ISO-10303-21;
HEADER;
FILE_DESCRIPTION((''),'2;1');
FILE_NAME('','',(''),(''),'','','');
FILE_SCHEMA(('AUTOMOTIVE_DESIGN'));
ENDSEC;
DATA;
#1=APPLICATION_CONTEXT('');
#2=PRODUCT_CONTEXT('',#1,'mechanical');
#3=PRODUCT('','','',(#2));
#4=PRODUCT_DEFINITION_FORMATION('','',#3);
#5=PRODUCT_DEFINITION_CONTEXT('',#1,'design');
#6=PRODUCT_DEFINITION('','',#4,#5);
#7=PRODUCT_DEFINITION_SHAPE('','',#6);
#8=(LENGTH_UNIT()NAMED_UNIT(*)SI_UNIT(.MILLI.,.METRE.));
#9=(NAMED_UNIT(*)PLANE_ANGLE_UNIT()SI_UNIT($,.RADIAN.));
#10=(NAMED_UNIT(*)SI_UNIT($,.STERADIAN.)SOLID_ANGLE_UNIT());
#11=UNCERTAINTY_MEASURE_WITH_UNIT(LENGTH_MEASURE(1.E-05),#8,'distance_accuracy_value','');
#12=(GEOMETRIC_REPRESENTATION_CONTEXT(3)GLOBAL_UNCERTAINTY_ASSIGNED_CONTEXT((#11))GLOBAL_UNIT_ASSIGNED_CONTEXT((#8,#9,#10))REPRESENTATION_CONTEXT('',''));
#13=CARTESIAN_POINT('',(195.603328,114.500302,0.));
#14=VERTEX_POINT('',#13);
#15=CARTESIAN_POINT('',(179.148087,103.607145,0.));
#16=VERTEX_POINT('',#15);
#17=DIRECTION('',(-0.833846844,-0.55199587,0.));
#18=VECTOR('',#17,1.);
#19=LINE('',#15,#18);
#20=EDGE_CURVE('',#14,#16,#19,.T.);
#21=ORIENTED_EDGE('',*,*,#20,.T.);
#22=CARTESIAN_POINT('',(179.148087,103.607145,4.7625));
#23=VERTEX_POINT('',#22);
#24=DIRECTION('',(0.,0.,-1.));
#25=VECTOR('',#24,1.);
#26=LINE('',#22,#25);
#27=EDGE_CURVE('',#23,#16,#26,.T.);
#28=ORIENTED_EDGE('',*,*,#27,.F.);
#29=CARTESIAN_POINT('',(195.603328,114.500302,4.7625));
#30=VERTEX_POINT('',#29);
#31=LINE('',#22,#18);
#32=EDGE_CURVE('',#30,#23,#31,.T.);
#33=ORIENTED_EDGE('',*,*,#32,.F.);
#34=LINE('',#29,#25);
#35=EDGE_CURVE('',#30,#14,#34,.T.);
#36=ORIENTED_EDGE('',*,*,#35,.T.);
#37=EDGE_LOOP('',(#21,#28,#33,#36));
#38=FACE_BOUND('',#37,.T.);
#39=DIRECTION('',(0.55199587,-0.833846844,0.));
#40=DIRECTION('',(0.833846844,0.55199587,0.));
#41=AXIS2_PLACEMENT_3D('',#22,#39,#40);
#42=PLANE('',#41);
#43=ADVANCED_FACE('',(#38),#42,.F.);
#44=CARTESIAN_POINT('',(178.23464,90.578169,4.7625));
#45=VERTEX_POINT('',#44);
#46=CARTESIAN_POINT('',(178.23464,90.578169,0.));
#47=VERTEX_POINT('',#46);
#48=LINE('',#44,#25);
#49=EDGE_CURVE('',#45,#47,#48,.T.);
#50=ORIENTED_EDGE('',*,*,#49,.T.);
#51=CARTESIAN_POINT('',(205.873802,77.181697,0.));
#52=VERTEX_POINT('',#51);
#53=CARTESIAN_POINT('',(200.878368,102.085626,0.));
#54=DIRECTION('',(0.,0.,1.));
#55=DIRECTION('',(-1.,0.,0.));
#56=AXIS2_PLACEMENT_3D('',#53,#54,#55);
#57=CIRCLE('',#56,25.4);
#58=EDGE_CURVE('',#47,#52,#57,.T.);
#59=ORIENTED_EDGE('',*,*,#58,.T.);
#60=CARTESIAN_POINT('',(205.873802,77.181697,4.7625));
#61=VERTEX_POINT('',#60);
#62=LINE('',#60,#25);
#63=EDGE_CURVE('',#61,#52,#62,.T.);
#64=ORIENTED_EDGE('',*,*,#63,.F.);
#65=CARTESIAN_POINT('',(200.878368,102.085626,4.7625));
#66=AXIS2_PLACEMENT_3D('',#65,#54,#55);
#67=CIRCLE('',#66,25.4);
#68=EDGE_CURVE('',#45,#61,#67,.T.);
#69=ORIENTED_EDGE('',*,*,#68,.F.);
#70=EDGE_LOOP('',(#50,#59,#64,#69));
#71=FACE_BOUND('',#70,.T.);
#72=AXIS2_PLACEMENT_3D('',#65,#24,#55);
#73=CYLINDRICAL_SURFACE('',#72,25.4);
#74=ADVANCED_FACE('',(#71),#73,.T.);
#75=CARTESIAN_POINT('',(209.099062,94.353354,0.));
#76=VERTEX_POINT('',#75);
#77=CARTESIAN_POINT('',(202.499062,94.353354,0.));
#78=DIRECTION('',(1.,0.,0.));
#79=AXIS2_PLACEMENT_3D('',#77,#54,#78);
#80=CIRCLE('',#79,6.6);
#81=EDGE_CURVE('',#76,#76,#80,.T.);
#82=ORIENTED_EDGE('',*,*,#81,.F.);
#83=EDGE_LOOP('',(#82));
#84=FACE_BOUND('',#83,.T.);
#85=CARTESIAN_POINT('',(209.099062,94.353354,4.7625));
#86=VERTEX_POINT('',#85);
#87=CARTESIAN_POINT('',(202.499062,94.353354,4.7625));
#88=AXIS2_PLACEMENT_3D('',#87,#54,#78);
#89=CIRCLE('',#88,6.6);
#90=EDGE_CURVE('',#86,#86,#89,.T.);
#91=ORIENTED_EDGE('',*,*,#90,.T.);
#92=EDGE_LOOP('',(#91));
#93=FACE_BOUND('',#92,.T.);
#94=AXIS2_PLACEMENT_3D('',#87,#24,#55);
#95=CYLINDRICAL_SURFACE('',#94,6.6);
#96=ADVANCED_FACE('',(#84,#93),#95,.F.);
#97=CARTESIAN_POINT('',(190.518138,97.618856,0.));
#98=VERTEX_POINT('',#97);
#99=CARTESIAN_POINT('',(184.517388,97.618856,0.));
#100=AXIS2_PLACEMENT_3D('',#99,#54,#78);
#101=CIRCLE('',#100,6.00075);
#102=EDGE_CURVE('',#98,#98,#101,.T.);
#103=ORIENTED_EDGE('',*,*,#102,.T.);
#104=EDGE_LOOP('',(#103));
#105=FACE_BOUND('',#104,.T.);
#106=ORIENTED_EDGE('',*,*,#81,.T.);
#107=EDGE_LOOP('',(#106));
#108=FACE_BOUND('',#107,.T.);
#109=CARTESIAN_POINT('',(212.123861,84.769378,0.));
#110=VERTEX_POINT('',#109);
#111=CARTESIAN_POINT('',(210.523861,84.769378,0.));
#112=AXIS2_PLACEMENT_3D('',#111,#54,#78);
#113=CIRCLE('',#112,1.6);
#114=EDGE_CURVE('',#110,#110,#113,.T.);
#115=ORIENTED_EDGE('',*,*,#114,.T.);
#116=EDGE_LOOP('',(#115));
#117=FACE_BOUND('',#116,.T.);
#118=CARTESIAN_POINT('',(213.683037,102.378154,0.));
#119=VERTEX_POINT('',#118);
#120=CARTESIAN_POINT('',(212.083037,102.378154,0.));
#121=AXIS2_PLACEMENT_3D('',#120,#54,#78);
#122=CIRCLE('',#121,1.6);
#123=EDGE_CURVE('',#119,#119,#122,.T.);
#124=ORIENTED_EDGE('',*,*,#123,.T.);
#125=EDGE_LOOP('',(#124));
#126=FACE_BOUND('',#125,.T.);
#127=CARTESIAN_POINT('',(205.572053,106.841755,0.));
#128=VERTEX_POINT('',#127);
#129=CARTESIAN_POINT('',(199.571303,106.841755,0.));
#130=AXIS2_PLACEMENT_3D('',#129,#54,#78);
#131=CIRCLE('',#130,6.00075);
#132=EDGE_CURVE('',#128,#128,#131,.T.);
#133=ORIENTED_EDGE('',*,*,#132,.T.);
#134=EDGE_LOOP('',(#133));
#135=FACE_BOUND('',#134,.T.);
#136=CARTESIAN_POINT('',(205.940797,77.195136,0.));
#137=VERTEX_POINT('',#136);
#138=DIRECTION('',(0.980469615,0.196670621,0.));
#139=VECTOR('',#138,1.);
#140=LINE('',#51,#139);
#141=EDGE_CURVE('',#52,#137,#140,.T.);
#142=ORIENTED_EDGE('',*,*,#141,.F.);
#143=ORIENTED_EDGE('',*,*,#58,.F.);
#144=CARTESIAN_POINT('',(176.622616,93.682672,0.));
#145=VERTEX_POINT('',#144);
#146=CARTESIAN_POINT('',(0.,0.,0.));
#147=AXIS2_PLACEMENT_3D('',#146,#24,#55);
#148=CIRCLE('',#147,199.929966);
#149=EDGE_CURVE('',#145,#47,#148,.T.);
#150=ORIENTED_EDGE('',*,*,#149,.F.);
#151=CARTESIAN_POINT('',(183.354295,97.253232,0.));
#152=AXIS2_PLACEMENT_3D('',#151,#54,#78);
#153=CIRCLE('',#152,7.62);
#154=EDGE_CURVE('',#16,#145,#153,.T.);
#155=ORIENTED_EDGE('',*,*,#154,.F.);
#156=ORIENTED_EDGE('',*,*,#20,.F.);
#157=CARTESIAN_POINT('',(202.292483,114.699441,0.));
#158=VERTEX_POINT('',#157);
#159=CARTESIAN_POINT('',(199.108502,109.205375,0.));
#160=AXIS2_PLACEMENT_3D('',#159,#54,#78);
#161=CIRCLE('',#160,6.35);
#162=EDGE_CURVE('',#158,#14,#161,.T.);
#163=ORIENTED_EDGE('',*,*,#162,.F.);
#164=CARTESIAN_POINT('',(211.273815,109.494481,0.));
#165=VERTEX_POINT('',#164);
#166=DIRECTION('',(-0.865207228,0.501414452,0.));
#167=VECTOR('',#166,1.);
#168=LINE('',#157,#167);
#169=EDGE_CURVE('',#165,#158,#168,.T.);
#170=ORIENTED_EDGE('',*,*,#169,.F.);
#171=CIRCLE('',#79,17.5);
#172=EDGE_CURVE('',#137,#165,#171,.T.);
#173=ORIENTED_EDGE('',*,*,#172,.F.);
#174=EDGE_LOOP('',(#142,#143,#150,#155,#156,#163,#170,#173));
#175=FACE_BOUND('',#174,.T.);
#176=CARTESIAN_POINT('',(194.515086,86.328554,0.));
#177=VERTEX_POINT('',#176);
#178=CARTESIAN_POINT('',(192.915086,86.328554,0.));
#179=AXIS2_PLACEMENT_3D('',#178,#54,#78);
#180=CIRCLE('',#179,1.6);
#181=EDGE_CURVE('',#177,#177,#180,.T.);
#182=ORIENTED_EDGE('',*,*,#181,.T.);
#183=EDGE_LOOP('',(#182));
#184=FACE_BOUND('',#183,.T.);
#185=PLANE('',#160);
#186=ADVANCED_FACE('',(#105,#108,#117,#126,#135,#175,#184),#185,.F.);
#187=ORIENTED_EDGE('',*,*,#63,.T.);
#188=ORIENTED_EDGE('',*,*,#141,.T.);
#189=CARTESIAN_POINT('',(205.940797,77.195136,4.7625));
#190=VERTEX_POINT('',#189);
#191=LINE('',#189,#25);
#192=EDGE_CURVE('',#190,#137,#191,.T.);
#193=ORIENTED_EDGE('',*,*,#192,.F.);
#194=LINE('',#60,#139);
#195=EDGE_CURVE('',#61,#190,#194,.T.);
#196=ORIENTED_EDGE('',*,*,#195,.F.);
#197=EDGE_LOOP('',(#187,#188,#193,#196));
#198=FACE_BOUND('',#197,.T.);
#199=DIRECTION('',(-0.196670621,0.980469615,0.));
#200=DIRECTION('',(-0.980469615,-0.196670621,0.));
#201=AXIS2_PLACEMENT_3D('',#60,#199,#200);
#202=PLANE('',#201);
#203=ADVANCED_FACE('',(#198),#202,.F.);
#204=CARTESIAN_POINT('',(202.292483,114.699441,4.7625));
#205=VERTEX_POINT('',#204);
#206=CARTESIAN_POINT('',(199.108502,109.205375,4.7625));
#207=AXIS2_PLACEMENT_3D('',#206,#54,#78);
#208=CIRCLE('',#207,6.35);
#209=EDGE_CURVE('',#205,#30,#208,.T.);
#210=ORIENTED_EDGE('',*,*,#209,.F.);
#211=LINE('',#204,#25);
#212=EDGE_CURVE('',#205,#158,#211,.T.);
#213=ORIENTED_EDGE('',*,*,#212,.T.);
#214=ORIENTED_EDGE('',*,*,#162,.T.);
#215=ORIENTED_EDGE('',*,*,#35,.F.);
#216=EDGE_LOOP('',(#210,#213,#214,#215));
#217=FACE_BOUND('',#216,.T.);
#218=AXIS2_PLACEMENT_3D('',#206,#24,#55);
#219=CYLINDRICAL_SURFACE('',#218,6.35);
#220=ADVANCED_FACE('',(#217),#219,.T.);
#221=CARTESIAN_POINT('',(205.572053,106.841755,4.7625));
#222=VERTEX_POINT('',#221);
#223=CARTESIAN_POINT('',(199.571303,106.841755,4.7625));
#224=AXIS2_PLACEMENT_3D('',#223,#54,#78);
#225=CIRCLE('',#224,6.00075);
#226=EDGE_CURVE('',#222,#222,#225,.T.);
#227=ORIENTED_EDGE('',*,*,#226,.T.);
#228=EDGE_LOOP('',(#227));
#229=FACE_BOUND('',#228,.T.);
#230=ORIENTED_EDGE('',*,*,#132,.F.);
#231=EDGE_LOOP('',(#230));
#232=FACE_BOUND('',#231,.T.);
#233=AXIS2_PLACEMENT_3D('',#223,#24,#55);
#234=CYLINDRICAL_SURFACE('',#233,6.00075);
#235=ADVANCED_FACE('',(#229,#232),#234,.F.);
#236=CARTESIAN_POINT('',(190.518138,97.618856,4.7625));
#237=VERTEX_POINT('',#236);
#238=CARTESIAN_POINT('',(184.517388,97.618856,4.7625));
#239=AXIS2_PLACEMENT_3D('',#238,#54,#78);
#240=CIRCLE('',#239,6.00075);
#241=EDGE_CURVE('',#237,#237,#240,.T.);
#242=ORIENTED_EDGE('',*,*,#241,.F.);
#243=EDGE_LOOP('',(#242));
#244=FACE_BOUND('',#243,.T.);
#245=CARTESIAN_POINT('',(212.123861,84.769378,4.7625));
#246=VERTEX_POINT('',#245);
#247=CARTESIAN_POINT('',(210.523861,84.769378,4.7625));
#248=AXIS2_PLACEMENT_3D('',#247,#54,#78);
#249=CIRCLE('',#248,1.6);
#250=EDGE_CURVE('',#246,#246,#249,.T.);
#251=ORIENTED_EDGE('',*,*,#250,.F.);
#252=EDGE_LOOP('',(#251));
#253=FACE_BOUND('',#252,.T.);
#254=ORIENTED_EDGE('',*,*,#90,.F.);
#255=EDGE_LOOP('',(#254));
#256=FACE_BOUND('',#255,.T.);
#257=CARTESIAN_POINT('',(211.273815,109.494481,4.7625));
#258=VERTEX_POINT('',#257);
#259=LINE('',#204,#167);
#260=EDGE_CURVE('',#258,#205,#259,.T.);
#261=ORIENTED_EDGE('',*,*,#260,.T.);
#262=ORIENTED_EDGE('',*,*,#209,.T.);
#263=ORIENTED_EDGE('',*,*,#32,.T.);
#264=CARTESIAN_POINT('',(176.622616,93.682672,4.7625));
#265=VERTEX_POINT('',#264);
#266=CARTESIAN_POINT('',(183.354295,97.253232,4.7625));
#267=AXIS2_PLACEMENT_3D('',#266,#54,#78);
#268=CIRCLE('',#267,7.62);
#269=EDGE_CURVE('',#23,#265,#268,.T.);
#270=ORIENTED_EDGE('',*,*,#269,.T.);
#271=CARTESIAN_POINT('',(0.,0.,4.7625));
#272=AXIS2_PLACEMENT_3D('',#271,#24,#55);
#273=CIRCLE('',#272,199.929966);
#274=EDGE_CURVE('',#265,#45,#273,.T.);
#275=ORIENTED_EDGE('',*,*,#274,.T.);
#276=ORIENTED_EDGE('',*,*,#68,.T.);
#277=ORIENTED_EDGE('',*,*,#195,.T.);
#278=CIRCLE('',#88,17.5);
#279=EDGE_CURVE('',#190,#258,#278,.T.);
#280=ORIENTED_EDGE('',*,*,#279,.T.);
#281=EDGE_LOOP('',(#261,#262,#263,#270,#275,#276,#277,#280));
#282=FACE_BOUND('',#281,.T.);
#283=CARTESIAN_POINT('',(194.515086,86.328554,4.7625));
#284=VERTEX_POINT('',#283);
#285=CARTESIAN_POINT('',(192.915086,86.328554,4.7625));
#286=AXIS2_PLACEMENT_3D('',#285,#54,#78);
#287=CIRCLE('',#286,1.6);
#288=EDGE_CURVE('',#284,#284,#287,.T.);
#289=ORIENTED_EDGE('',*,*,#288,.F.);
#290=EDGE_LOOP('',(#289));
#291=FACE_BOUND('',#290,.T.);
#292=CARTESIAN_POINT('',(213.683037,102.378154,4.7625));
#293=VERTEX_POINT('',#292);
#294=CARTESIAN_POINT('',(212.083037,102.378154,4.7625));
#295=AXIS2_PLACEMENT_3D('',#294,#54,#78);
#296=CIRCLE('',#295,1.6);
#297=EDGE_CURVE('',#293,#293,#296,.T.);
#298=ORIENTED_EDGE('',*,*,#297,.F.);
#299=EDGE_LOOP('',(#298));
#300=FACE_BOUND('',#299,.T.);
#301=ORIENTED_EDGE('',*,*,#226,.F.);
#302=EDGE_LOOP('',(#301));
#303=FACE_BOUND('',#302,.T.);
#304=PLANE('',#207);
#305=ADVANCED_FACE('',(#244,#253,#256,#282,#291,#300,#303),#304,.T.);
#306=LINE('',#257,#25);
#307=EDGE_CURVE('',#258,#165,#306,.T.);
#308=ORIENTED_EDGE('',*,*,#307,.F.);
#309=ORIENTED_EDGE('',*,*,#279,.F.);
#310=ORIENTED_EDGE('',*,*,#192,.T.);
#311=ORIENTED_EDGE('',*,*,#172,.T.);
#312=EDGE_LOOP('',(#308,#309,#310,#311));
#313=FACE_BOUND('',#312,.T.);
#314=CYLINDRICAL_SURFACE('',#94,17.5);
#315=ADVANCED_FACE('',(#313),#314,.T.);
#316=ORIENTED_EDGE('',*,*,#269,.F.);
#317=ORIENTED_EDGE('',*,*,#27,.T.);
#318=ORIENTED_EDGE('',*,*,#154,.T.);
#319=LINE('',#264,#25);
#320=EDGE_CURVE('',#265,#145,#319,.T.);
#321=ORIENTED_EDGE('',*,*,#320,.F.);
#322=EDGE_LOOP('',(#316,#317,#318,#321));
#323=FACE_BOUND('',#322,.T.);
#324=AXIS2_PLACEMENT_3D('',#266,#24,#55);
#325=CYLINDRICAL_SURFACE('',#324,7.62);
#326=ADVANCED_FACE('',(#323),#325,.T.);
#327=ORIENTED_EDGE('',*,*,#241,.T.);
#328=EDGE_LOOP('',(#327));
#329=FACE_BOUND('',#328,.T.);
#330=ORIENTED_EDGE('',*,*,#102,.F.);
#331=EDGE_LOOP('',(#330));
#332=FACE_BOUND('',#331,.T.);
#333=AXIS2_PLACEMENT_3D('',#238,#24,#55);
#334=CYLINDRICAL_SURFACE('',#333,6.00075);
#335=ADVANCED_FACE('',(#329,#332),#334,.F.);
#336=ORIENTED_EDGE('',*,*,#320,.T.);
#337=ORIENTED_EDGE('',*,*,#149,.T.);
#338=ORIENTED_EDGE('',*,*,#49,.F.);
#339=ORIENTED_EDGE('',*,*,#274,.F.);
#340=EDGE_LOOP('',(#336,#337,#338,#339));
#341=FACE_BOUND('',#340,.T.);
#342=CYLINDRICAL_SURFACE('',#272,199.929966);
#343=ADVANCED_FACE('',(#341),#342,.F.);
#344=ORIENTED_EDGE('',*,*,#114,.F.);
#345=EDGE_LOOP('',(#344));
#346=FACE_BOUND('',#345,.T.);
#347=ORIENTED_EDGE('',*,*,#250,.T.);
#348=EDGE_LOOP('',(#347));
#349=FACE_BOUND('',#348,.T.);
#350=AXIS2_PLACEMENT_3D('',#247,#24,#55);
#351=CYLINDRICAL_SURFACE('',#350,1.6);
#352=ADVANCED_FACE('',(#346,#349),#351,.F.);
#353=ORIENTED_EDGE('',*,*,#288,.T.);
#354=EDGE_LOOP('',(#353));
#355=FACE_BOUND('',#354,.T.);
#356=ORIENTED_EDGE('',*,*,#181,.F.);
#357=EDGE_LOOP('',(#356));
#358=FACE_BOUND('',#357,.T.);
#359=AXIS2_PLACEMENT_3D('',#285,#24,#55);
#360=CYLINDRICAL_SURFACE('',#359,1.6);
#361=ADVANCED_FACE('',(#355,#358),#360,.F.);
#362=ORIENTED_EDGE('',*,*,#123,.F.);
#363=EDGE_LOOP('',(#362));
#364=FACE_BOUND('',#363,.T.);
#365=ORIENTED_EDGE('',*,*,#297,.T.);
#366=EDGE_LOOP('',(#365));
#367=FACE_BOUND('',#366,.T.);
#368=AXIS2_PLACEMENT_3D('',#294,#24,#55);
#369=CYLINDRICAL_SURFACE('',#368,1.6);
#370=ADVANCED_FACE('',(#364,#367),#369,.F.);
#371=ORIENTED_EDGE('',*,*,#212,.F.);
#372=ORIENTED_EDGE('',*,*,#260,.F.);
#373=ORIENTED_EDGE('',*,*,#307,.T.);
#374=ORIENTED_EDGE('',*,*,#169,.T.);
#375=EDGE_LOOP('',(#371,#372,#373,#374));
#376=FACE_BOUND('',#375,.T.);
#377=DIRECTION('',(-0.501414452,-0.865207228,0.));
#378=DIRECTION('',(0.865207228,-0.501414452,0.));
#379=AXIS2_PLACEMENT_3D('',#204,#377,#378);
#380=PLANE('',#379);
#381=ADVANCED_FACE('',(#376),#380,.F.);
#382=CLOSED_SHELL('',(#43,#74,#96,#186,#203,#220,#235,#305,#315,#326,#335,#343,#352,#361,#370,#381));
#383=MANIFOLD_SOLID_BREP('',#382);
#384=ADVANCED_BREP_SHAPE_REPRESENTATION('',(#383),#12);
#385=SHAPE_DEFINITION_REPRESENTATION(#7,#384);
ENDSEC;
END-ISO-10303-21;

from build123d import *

# Parameters (mm, degrees)
SKETCH1_R           = 6.00075
SKETCH1_R_2         = 1.6
SKETCH1_R_3         = 6.6
BOSS_EXTRUDE1_DEPTH = 4.7625


with BuildPart() as part:
    # Sketch1 → Boss-Extrude1 (new body)
    with BuildSketch(Plane.XY):
        with BuildLine():
            Line((179.148086511, 103.607144631), (195.603327806, 114.500302414))
            ThreePointArc((195.603327806, 114.500302414), (198.919543637, 115.552562907), (202.292483355, 114.699440851))
            Line((202.292483355, 114.699440851), (211.27381454, 109.494480567))
            ThreePointArc((211.27381454, 109.494480567), (219.765287832, 91.502488859), (205.940797496, 77.195135812))
            Line((205.940797496, 77.195135812), (205.873802068, 77.181697321))
            ThreePointArc((205.873802068, 77.181697321), (189.799923624, 79.228940232), (178.234639917, 90.578168601))
            ThreePointArc((178.234639917, 90.578168601), (177.435417915, 92.133945768), (176.622616151, 93.682671597))
            ThreePointArc((176.622616151, 93.682671597), (175.969639562, 99.132397301), (179.148086511, 103.607144631))
        make_face()
        with Locations((184.517388009, 97.618855822)):
            Circle(SKETCH1_R, mode=Mode.SUBTRACT)
        with Locations((199.571302743, 106.841754978)):
            Circle(SKETCH1_R, mode=Mode.SUBTRACT)
        with Locations((212.083037321, 102.378153756)):
            Circle(SKETCH1_R_2, mode=Mode.SUBTRACT)
        with Locations((210.523861298, 84.769378384)):
            Circle(SKETCH1_R_2, mode=Mode.SUBTRACT)
        with Locations((192.915085926, 86.328554406)):
            Circle(SKETCH1_R_2, mode=Mode.SUBTRACT)
        with Locations((202.499061623, 94.353354081)):
            Circle(SKETCH1_R_3, mode=Mode.SUBTRACT)
    extrude(amount=BOSS_EXTRUDE1_DEPTH)


solid = part.part
